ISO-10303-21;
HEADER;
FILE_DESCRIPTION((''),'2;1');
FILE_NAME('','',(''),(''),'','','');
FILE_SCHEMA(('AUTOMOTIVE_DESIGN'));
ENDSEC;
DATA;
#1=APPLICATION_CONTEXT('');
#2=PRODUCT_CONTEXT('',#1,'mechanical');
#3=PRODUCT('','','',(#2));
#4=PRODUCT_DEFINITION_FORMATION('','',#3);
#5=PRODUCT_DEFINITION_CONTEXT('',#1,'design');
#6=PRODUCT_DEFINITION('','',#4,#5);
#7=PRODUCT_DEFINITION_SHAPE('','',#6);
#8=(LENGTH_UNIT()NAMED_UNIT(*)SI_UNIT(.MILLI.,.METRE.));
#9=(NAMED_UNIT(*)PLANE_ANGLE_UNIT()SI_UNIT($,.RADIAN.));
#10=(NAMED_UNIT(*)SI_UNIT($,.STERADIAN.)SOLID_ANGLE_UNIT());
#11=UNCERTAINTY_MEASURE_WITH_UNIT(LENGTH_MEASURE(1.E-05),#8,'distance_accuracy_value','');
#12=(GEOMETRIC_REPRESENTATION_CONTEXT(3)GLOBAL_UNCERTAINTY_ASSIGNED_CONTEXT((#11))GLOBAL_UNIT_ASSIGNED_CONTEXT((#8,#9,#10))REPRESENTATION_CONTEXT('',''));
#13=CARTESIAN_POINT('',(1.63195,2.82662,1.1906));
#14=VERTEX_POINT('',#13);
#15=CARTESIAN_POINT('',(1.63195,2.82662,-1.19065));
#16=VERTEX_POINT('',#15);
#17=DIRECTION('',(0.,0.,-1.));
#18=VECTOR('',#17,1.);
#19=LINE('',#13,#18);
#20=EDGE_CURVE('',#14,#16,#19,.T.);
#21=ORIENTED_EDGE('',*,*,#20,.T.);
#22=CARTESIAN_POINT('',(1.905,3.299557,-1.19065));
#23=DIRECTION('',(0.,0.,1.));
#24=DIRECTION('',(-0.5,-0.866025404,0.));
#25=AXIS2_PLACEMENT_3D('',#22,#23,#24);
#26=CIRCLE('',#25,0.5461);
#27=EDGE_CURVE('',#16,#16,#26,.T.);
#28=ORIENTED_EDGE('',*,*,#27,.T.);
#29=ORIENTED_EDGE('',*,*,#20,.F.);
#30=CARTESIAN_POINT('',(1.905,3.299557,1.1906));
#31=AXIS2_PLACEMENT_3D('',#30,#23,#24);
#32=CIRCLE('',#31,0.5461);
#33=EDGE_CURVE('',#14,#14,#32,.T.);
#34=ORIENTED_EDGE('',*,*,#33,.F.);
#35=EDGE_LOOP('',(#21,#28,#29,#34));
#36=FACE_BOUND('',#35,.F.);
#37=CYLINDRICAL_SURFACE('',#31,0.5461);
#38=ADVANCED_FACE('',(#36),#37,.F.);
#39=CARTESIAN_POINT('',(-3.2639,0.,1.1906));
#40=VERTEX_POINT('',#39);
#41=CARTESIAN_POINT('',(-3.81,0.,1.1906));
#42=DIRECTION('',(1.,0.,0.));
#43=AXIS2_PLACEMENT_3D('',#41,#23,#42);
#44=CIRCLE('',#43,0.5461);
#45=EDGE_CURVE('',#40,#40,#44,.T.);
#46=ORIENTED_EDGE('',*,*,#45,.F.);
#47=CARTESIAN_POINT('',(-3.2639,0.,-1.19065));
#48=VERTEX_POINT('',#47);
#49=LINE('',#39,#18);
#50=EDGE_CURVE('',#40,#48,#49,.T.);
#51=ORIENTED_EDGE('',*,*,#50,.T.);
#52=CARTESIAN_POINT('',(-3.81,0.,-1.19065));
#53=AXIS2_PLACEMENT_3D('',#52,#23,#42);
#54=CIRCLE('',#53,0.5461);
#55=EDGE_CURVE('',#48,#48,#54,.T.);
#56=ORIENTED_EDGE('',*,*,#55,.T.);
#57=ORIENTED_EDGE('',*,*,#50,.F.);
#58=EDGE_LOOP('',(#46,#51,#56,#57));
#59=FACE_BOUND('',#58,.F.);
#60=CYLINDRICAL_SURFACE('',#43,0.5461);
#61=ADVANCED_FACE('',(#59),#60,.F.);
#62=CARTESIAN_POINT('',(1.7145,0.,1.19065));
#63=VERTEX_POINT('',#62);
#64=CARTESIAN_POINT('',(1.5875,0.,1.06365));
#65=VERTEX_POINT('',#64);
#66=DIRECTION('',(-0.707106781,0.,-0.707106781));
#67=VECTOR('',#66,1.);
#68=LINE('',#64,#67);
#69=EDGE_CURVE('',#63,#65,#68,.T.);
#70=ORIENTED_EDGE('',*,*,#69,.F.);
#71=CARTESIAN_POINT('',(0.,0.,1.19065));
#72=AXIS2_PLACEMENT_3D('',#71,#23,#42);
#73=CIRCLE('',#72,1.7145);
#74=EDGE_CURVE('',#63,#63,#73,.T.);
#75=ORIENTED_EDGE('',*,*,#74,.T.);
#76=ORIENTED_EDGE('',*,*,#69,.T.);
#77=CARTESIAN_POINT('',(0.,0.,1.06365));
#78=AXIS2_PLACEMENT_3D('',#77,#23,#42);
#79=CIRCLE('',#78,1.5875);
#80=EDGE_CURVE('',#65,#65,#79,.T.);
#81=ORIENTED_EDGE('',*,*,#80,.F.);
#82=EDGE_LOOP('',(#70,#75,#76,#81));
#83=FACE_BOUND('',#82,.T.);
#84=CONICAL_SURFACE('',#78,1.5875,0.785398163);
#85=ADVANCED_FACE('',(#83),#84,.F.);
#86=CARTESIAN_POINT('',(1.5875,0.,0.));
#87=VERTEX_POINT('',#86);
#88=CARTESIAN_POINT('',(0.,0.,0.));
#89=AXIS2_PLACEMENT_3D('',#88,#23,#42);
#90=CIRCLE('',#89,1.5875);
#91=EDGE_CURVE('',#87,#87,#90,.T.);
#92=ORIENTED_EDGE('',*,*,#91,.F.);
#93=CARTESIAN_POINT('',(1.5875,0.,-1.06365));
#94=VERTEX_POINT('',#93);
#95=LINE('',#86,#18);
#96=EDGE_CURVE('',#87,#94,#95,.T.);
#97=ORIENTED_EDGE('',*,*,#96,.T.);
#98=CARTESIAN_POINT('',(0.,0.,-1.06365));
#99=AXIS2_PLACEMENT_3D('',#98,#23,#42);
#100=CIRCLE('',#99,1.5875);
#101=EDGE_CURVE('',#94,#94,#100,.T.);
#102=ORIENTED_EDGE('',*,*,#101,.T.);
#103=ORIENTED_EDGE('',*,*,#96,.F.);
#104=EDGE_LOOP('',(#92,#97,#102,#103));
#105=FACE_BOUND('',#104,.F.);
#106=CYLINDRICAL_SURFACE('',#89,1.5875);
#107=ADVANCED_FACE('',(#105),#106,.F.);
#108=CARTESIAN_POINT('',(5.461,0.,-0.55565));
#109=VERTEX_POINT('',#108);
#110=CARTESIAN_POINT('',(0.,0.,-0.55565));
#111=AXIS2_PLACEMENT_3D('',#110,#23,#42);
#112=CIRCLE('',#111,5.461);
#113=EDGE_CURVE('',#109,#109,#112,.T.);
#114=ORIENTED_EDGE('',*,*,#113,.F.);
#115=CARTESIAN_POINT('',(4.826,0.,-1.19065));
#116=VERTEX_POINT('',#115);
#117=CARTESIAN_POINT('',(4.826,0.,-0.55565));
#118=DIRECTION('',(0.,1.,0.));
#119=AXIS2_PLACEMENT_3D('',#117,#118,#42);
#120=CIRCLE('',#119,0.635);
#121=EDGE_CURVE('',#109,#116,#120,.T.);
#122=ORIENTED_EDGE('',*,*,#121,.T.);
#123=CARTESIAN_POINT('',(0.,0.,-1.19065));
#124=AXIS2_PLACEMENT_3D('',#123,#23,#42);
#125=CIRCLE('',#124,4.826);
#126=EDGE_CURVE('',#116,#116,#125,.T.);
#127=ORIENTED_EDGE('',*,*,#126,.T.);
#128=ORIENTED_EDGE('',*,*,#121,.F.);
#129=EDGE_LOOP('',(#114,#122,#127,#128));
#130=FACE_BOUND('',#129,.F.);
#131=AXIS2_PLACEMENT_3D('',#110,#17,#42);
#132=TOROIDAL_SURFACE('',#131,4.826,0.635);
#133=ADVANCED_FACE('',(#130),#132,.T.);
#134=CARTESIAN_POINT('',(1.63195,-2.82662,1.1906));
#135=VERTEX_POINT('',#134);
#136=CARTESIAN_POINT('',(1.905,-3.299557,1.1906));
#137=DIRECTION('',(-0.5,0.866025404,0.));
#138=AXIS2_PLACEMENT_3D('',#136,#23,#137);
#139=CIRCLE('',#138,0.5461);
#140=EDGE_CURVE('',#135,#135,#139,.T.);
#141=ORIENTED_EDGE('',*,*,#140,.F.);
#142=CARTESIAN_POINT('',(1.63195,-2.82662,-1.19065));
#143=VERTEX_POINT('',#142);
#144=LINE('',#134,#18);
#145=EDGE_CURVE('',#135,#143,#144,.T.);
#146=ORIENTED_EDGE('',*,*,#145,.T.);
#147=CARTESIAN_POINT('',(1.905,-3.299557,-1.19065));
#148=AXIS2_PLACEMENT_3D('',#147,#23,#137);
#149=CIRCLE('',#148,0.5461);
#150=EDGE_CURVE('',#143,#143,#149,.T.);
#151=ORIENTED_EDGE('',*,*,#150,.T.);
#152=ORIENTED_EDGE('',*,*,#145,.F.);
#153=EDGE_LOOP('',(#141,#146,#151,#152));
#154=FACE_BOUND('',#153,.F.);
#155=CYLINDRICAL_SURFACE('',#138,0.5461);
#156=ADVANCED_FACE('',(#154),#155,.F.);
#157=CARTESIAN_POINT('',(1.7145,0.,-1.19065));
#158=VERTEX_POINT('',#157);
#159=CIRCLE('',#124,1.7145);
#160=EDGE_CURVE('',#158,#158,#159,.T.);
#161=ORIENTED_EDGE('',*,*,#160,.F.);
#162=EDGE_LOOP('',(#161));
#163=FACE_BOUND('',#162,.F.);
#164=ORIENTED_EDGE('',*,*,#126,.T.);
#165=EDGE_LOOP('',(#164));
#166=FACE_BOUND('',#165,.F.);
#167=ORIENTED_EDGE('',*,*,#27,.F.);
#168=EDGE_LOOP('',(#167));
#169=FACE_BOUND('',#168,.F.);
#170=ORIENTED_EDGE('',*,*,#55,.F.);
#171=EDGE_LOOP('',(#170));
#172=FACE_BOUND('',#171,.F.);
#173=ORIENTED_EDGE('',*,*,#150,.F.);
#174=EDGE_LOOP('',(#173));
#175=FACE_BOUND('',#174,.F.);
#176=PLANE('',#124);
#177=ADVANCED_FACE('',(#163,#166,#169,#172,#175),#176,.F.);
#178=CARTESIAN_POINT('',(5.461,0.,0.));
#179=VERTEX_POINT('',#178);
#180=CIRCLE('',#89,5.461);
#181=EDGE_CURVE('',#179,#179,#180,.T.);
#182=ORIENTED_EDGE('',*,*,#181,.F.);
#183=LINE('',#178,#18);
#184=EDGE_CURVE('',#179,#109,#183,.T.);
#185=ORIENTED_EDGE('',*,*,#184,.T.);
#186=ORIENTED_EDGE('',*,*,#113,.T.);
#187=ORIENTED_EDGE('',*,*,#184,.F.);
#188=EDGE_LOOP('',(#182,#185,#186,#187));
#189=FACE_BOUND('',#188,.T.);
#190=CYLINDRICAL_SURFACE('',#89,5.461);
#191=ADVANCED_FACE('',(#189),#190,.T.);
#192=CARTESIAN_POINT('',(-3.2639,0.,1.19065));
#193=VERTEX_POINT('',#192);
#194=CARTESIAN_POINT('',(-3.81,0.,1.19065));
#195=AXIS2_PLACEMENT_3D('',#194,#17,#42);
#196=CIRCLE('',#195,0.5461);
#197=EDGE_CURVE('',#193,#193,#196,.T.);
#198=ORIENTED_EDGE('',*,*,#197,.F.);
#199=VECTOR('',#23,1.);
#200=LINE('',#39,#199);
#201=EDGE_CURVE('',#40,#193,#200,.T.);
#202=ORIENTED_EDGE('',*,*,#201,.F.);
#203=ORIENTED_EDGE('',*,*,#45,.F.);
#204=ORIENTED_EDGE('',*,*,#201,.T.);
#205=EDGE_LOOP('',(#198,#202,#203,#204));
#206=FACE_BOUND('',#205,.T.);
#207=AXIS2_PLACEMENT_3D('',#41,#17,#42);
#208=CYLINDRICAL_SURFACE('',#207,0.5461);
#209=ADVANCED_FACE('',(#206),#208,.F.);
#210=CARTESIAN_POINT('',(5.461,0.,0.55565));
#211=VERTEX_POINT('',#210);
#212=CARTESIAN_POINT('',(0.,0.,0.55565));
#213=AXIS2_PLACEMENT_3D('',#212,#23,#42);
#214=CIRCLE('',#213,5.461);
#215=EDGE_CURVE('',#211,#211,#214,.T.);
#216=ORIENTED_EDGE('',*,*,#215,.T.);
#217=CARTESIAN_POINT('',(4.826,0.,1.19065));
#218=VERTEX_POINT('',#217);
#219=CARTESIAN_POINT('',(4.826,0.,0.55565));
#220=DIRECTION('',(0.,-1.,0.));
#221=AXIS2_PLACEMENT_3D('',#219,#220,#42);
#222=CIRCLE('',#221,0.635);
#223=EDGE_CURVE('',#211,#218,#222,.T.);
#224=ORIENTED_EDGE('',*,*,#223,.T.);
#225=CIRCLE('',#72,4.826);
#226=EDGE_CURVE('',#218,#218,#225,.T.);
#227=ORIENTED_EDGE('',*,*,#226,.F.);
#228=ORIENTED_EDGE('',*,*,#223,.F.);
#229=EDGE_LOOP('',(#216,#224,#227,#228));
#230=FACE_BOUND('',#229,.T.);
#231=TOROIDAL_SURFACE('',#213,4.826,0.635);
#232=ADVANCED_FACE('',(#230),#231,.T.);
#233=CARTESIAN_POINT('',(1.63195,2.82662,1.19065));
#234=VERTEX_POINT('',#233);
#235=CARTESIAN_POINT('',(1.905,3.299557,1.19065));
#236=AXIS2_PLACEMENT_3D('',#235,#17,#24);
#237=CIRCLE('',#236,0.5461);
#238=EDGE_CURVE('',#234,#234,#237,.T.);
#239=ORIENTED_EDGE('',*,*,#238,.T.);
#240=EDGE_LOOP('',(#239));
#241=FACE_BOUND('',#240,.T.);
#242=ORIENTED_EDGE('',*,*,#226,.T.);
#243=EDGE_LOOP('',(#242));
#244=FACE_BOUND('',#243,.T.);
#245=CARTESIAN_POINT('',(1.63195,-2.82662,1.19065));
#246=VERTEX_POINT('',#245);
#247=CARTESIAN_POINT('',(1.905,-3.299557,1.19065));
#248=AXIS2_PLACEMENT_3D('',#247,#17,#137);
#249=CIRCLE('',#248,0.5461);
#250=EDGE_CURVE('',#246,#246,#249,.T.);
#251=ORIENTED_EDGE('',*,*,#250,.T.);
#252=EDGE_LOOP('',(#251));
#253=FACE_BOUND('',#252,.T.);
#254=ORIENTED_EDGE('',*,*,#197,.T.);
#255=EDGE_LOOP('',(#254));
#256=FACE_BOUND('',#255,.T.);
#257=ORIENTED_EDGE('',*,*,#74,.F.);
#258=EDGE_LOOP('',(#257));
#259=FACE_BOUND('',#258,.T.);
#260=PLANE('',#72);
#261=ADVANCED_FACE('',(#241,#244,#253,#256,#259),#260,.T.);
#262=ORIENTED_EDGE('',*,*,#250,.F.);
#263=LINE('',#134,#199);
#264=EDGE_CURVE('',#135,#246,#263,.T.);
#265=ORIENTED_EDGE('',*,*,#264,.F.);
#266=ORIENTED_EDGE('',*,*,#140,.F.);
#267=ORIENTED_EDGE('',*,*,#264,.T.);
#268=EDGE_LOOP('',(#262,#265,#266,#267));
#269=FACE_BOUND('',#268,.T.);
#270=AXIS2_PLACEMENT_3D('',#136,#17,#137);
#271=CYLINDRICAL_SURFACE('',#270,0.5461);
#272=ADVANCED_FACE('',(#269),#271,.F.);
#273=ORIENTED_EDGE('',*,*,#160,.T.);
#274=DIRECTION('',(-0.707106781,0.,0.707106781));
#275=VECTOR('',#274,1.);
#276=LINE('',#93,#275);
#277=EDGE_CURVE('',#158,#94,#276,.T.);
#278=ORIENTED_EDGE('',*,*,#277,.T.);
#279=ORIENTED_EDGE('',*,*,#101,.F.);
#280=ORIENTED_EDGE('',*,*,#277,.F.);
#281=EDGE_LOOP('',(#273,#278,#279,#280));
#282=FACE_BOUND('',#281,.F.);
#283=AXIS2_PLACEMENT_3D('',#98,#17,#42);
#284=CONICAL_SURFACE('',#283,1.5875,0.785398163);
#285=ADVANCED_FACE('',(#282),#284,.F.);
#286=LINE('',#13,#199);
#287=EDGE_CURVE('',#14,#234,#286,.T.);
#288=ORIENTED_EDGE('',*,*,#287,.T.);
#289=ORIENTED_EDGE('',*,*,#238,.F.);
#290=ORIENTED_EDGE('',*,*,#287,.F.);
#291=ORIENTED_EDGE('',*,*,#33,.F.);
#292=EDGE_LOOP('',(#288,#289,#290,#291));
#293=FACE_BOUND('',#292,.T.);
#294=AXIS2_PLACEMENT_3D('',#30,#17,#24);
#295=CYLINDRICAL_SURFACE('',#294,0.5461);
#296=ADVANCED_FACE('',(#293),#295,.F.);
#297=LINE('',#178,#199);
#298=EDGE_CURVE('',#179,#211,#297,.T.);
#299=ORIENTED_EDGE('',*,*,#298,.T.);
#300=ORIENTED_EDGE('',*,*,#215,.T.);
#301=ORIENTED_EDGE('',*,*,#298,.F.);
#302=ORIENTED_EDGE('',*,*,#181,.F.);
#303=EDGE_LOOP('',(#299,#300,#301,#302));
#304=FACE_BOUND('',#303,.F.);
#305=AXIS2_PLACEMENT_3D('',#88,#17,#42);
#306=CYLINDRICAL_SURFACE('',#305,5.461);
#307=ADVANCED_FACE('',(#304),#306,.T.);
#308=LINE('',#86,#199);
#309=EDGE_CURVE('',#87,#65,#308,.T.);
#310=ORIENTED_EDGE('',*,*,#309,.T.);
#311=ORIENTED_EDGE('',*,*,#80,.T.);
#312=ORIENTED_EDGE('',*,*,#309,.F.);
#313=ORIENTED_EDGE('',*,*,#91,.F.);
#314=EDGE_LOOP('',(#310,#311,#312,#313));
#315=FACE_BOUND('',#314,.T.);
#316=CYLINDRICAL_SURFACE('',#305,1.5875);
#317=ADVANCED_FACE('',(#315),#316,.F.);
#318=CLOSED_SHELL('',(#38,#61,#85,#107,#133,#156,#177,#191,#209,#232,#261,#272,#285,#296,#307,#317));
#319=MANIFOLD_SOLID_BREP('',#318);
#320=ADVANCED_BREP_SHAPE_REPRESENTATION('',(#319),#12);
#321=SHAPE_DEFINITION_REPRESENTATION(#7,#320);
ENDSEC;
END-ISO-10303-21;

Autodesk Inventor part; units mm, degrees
ref_plane "YZ Plane" through (0, 0, 0) normal (1, 0, 0) x (0, 1, 0)
ref_plane "XZ Plane" through (0, 0, 0) normal (0, 1, 0) x (-1, 0, 0)
ref_plane "XY Plane" through (0, 0, 0) normal (0, 0, 1) x (1, 0, 0)
sketch "Sketch1" plane through (0, 0, 0) normal (0, 0, 1) x (1, 0, 0)
  circle A0 centre (0, 0) radius 1.5875
  circle A1 centre (0, 0) radius 5.461
  dimension "d0" = 3.175
  dimension "d1" = 10.922
extrude "Extrusion1" add sketch "Sketch1" along normal mid plane 2.3813
fillet "Fillet1" radius 0.635 2 edges at (-5.461, 0, 1.1906) (-5.461, 0, -1.1906)
chamfer "Chamfer1" distance 0.127 angle 45 2 edges at (-1.5875, 0, 1.1906) (-1.5875, 0, -1.1906)
sketch "Sketch2" plane through (0, 0, 1.1906) normal (0, 0, 1) x (1, 0, 0)
  circle A0 centre (-3.81, 0) radius 0.5461
  point P0 (0, 0)
  dimension "d8" = 1.0922
  dimension "d9" = 3.81
extrude "Extrusion2" cut sketch "Sketch2" along normal through all both and the other way through all
pattern_circular "Circular Pattern1" count 3 over 360 about axis through (0, 0, -10) along (0, 0, 1) of "Extrusion2"
properties part number "Piston of Suspension"
